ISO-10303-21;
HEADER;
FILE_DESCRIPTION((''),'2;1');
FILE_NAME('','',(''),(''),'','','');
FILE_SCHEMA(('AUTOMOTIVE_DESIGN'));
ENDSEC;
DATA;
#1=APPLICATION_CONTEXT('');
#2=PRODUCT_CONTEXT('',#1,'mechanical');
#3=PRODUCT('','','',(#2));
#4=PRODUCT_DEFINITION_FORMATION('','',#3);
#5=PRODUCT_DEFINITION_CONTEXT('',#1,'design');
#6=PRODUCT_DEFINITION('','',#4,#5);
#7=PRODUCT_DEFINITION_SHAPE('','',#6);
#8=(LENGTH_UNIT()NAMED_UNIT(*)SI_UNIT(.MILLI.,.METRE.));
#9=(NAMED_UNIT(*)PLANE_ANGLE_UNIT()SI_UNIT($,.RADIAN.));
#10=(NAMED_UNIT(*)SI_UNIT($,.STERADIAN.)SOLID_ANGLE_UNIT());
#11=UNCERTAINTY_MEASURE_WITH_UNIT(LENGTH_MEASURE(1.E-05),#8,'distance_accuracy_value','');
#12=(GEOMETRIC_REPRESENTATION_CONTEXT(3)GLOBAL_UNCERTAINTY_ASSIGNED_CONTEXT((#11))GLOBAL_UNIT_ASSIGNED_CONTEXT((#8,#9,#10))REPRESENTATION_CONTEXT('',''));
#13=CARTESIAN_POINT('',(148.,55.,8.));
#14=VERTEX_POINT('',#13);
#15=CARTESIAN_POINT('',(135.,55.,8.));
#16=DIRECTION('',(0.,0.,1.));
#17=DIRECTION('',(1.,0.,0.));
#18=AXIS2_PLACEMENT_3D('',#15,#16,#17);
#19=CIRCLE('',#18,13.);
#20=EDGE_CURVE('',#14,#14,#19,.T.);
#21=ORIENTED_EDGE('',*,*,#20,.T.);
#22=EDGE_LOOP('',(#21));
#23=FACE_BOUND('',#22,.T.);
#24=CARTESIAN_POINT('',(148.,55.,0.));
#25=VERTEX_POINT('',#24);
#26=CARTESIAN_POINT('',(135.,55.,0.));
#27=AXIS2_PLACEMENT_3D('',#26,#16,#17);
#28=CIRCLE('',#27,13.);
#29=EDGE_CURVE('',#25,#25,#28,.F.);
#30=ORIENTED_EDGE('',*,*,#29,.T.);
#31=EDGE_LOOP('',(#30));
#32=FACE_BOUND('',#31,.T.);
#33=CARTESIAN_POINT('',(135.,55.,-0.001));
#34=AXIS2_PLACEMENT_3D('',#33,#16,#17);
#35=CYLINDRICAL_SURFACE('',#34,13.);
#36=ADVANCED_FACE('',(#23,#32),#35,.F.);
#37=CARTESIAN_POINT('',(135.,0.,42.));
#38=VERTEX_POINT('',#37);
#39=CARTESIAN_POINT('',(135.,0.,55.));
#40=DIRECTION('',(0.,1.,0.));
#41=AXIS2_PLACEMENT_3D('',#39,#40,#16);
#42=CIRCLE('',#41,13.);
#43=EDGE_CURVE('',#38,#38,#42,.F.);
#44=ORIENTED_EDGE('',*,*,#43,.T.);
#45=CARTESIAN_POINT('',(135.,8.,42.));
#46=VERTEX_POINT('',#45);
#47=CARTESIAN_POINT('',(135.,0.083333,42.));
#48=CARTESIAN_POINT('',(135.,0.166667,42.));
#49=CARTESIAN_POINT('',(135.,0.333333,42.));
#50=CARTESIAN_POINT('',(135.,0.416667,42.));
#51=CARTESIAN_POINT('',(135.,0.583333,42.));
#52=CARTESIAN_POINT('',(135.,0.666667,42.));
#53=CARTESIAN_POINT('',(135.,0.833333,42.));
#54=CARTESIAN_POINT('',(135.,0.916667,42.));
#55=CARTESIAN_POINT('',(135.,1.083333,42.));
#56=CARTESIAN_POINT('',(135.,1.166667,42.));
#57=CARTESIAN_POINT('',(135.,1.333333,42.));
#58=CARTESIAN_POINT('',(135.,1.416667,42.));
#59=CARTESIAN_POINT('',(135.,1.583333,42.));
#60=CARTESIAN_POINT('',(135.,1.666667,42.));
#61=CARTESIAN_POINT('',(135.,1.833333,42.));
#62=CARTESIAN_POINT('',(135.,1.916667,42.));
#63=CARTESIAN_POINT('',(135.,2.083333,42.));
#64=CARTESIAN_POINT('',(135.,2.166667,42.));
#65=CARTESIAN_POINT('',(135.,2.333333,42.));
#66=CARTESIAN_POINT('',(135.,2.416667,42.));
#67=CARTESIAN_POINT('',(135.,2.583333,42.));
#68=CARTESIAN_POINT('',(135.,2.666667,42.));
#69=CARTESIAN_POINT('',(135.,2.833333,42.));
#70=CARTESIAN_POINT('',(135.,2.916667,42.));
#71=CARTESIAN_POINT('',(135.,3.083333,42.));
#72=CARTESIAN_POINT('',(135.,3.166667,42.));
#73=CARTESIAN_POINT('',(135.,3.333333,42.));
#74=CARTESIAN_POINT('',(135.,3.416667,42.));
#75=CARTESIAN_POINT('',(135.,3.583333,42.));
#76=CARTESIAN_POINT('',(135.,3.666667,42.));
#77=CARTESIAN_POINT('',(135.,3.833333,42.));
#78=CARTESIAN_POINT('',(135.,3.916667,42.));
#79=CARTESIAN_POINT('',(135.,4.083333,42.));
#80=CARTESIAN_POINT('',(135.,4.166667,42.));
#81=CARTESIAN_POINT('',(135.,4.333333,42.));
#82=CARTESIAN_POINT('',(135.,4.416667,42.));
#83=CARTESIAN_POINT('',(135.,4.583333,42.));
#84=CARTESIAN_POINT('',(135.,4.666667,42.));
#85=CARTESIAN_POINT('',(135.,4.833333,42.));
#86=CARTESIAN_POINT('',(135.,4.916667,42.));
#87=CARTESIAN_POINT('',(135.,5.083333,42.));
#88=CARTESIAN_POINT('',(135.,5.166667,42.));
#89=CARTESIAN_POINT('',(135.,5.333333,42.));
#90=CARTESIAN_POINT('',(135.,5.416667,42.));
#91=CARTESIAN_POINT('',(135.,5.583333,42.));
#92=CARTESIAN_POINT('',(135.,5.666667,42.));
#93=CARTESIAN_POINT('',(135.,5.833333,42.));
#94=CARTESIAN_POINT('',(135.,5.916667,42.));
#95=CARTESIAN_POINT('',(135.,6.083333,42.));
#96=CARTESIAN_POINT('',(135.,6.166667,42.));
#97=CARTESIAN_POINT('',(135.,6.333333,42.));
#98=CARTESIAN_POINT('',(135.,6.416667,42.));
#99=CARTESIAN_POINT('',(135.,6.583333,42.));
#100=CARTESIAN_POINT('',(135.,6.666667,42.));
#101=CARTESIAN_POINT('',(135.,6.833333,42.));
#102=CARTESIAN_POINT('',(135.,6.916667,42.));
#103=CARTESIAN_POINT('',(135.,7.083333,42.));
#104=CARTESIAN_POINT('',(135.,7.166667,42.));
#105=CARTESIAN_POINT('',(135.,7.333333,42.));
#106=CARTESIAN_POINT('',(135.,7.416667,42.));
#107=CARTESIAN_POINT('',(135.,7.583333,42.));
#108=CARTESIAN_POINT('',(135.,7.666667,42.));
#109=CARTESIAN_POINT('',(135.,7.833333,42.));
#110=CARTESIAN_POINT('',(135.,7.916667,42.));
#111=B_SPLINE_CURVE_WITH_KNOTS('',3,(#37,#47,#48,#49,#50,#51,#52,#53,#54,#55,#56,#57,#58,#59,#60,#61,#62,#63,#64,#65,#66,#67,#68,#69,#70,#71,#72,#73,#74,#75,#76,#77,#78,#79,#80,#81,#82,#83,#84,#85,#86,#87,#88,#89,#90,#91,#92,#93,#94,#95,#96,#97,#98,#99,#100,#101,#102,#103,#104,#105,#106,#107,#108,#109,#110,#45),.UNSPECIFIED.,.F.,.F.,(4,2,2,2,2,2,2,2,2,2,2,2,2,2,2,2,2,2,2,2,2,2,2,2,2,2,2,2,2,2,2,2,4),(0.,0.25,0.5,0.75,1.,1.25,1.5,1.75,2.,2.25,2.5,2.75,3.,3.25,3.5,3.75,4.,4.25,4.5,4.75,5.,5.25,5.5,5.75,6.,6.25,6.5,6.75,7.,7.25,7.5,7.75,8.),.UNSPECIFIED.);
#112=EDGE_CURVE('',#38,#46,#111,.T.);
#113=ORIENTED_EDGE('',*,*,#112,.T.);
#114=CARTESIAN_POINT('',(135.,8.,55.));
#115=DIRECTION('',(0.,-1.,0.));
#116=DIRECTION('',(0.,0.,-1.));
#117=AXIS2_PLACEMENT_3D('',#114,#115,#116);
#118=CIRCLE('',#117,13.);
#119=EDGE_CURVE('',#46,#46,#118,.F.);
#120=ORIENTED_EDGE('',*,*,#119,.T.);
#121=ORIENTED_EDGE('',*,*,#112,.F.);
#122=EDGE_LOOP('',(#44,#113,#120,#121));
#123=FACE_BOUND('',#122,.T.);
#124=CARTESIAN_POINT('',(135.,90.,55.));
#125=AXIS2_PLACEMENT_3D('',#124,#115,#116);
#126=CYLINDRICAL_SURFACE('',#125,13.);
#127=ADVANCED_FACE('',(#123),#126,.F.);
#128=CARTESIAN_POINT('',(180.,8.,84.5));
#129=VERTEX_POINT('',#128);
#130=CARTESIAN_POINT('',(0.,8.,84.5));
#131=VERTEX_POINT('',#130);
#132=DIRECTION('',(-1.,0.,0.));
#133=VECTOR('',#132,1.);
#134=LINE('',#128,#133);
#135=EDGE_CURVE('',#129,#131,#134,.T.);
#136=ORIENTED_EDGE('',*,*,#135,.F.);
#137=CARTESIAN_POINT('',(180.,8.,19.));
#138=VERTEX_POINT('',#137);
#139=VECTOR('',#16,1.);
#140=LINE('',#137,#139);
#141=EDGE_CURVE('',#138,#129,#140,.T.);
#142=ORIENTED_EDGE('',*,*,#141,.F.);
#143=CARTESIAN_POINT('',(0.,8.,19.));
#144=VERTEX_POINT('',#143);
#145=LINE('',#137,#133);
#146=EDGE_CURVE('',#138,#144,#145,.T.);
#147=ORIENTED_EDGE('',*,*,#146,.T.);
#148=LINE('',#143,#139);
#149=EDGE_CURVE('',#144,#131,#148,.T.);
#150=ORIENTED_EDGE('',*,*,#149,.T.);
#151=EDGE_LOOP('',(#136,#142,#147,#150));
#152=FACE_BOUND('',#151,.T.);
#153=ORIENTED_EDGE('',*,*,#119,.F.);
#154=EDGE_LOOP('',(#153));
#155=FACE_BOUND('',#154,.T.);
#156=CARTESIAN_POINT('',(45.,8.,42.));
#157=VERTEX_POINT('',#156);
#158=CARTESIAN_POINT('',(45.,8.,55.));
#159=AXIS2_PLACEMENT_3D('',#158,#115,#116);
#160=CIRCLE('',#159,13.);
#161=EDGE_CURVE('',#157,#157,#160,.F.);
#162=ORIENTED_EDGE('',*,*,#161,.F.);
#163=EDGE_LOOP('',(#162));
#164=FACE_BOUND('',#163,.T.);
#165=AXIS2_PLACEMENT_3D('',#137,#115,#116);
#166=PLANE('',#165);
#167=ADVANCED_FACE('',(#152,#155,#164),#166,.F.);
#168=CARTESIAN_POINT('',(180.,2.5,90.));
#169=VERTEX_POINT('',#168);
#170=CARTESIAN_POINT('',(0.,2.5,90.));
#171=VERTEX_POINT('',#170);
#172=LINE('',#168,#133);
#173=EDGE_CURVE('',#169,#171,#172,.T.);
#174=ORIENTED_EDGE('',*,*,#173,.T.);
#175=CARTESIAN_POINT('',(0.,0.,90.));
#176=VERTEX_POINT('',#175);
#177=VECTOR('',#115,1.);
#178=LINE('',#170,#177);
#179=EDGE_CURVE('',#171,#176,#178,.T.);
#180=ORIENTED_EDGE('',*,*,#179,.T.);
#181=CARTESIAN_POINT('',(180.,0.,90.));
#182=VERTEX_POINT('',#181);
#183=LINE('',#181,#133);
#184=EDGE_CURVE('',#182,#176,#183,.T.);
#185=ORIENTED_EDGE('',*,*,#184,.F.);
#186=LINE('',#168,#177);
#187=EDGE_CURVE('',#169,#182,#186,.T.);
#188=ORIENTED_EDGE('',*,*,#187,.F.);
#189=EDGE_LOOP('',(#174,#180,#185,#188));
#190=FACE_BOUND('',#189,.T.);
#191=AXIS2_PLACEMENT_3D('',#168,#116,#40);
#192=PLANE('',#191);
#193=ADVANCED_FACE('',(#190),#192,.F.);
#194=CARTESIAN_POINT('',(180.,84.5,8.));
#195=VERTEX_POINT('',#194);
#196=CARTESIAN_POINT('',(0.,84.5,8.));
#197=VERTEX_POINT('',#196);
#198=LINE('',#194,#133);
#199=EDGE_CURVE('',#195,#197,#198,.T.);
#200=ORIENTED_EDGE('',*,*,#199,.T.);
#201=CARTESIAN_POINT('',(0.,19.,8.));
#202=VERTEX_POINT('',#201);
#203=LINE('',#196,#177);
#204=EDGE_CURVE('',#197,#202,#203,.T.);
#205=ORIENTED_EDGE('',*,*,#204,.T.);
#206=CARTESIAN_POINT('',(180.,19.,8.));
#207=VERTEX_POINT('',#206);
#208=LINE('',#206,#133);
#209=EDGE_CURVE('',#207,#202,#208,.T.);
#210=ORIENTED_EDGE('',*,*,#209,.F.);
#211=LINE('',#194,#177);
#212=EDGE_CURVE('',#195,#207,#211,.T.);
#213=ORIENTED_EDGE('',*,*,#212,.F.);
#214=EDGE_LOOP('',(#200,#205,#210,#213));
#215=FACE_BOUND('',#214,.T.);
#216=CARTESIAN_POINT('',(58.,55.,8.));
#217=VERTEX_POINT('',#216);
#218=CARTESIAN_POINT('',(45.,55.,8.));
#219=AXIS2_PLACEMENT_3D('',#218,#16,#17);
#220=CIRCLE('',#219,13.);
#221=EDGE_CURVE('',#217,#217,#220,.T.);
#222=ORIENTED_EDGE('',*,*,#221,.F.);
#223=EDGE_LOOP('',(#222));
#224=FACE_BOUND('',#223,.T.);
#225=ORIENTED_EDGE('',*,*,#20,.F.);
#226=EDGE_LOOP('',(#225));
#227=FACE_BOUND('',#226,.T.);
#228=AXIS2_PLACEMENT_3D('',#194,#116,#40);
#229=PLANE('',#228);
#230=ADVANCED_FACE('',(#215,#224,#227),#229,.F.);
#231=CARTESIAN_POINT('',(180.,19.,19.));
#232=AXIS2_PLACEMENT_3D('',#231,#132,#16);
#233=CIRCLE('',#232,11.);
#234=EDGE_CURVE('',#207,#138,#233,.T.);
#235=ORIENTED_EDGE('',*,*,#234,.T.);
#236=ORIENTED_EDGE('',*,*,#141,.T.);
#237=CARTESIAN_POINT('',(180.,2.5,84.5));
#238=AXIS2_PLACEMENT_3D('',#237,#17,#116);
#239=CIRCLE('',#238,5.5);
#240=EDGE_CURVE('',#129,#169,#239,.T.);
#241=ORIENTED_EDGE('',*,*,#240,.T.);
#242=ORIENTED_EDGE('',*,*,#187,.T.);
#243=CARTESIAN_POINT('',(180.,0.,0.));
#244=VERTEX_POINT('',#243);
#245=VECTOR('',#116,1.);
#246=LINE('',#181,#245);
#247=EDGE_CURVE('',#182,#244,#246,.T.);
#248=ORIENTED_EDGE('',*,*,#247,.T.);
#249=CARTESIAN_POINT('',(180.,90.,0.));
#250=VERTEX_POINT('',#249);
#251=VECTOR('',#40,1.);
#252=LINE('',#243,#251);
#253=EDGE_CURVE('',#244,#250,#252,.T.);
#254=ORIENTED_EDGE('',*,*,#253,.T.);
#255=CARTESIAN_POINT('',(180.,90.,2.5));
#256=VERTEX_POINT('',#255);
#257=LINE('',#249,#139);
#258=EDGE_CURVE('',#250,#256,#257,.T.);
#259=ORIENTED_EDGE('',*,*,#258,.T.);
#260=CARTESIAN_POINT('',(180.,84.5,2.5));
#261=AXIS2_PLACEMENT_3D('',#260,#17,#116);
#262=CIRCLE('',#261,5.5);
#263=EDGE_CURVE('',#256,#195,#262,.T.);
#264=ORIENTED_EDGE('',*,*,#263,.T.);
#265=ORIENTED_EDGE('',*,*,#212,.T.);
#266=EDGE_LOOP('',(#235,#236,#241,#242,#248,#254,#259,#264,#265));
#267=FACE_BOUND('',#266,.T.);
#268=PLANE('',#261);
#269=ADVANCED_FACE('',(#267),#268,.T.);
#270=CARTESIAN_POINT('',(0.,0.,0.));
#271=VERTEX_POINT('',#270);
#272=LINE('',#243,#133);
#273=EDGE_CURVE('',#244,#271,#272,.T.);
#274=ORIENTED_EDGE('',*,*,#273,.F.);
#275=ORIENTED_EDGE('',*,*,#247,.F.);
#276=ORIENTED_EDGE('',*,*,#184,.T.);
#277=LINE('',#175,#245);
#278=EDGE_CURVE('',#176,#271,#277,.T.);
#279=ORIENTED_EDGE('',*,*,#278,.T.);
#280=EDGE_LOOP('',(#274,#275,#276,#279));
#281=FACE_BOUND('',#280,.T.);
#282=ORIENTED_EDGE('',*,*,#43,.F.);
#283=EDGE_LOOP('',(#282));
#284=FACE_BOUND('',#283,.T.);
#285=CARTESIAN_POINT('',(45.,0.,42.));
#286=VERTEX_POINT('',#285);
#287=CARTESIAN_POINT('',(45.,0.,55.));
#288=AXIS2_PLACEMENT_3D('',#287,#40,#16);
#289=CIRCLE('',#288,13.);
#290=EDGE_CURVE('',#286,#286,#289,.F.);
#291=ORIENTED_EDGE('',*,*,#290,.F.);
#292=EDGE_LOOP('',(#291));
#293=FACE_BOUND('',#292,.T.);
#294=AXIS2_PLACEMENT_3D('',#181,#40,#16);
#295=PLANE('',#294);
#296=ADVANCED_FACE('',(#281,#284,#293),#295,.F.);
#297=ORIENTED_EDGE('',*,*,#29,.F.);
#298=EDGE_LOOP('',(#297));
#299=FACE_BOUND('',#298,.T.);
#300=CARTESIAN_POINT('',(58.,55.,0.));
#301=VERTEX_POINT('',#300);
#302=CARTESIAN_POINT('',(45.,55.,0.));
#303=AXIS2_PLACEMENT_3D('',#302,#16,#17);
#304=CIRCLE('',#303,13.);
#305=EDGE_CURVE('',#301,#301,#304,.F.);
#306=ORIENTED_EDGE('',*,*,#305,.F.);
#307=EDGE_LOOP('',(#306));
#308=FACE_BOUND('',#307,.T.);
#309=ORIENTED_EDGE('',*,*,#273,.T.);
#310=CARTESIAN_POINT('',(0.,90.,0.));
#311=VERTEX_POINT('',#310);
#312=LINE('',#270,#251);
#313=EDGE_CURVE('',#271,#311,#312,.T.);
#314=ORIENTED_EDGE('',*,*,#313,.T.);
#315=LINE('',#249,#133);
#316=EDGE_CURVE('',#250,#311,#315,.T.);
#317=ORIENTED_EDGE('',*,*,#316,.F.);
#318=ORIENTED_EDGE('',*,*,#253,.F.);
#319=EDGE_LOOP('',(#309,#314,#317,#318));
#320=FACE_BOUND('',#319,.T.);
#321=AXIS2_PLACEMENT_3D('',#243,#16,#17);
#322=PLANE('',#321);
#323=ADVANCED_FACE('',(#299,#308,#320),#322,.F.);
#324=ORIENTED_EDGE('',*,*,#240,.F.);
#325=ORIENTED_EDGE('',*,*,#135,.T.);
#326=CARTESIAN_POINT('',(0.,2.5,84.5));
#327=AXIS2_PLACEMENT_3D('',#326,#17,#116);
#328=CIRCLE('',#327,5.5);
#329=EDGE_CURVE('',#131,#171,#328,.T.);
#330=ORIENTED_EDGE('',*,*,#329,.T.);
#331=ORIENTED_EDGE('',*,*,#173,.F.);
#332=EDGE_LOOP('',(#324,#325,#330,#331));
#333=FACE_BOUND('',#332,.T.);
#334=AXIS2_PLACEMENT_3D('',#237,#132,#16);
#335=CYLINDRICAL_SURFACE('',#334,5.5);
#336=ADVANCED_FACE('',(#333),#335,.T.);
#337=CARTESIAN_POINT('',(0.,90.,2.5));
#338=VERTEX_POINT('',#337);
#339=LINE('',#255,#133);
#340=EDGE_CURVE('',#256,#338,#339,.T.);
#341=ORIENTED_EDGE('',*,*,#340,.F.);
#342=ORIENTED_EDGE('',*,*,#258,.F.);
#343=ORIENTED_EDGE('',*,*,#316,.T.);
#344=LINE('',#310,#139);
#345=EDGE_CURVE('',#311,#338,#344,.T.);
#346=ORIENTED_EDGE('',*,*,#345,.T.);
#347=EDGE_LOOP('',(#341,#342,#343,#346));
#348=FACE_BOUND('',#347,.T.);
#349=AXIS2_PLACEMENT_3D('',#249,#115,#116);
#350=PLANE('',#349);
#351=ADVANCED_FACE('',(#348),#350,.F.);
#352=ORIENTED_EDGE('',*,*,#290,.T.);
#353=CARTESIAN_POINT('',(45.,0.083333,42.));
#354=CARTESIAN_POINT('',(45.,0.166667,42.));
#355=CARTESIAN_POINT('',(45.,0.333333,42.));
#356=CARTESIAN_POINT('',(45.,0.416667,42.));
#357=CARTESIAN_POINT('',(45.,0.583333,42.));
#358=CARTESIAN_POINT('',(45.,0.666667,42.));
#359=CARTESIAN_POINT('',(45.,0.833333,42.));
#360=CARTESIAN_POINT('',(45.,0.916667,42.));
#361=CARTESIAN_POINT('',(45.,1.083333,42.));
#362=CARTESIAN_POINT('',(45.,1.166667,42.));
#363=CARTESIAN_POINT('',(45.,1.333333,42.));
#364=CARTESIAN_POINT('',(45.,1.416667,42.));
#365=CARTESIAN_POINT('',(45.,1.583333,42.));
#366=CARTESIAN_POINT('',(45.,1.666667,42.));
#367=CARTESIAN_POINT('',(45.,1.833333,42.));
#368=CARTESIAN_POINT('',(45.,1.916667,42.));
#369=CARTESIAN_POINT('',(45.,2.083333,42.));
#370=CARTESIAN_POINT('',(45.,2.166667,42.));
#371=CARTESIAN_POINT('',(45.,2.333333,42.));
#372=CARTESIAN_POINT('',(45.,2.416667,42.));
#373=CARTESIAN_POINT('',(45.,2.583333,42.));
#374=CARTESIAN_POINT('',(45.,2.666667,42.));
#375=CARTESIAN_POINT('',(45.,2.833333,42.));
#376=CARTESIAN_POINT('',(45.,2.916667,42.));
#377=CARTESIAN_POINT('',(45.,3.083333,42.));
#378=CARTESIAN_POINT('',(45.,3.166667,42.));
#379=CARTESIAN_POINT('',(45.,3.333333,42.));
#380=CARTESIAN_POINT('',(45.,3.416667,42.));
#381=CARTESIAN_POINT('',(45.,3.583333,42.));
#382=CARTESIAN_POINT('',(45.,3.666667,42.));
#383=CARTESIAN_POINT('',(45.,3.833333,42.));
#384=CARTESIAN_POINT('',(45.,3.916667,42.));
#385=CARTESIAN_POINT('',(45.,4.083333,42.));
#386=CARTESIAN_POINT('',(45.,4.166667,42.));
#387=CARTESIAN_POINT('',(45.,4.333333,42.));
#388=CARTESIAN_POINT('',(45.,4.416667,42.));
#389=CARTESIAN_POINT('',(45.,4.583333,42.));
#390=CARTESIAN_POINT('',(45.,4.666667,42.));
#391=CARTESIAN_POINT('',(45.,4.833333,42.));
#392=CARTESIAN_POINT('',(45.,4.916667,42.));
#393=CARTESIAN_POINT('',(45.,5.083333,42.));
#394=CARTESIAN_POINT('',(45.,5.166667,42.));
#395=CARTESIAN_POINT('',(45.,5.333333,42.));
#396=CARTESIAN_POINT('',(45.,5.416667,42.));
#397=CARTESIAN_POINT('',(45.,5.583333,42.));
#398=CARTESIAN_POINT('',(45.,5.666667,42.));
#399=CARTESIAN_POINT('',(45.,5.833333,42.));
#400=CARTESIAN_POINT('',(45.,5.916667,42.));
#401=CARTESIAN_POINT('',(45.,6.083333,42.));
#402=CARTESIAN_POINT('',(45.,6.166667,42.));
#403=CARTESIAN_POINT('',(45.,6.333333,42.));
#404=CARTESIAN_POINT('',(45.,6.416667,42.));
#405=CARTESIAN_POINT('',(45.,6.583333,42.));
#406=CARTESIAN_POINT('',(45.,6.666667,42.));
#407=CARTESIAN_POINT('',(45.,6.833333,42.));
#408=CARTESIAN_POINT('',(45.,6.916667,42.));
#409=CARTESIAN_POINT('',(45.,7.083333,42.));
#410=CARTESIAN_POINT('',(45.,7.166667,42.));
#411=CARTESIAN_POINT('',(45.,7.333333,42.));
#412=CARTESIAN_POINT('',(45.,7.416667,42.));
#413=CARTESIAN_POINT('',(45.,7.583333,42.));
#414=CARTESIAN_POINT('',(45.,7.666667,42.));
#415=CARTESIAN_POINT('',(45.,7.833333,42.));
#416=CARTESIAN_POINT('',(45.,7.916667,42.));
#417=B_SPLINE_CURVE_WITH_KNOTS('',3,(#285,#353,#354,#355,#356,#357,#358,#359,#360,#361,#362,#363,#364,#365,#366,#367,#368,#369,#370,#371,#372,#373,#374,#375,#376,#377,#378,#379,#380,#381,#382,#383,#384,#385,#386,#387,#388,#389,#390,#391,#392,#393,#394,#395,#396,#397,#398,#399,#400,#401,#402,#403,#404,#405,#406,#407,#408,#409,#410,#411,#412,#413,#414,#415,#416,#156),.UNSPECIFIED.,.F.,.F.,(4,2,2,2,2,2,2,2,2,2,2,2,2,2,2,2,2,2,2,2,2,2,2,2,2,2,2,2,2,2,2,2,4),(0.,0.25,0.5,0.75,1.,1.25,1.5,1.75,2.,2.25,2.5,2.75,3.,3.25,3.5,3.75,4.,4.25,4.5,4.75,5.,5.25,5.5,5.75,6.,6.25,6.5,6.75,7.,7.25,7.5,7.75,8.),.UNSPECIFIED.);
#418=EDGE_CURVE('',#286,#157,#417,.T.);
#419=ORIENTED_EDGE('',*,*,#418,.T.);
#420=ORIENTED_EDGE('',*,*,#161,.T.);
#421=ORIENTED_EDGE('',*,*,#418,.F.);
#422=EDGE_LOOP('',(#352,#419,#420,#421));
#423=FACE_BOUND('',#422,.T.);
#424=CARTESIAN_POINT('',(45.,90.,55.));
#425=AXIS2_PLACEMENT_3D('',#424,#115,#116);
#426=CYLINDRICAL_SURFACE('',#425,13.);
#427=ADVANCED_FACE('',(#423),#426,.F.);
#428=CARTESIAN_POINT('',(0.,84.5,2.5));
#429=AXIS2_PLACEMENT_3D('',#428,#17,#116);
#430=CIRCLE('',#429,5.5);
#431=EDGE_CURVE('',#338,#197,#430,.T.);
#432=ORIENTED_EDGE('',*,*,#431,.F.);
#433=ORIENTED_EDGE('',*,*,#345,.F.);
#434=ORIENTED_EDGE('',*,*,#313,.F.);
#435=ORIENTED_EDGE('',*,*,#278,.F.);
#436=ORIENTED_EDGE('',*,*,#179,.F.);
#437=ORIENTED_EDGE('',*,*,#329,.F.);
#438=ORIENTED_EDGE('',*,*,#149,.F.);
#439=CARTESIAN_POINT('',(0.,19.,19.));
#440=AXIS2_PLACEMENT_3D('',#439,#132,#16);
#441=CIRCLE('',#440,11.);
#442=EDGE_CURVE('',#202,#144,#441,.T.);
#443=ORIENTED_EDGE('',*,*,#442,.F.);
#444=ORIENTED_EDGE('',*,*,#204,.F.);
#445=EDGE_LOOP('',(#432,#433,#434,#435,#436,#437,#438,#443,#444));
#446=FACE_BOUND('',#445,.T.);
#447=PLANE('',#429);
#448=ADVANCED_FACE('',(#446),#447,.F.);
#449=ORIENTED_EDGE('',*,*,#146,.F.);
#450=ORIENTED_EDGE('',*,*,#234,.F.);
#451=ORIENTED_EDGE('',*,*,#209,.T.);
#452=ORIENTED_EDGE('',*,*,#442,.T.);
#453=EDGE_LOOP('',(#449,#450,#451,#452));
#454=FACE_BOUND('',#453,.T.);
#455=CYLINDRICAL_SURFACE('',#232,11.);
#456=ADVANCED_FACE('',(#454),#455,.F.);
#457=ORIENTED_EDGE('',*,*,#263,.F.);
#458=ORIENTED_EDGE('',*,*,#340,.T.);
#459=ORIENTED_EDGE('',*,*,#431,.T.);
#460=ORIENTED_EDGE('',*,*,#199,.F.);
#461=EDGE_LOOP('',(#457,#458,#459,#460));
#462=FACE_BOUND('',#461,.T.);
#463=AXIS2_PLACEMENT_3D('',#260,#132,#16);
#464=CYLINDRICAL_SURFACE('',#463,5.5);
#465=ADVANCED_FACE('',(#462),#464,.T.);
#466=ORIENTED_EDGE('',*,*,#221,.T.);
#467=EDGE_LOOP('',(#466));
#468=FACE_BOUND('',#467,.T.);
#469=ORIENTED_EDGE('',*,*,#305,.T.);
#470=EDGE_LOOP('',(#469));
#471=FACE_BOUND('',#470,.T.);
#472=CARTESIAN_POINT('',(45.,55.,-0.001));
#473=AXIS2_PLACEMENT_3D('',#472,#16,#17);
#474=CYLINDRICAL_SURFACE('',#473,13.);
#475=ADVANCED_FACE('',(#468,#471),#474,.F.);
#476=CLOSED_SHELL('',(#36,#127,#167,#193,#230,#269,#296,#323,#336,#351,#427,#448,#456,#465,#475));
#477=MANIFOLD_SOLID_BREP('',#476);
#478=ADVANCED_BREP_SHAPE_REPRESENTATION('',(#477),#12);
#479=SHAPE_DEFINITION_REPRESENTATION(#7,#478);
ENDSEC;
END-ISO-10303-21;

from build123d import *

# Parameters (mm, degrees)
ANGLES_EQUAL_90_X_90_X_8_1_DEPTH = 180
SKETCH12_R                       = 13
CUT_EXTRUDE1_DEPTH               = 221.45407685
LPATTERN1_COUNT                  = 2
LPATTERN1_PITCH                  = 90
CUT_EXTRUDE2_REACH               = 219.311
SKETCH13_R                       = 13
LPATTERN2_COUNT                  = 2
LPATTERN2_PITCH                  = 90


with BuildPart() as part:
    # Sketch11 → Angles equal 90 X 90 X 8(1) (new body)
    with BuildSketch(Plane(origin=(0, 45, 45), x_dir=(0, 1, 0), z_dir=(1, 0, 0))):
        with BuildLine():
            Line((-45, 45), (-45, -45))
            Line((-45, -45), (45, -45))
            Line((45, -45), (45, -42.5))
            ThreePointArc((45, -42.5), (43.389087297, -38.610912703), (39.5, -37))
            Line((39.5, -37), (-26, -37))
            ThreePointArc((-26, -37), (-33.778174593, -33.778174593), (-37, -26))
            Line((-37, -26), (-37, 39.5))
            ThreePointArc((-37, 39.5), (-38.610912703, 43.389087297), (-42.5, 45))
            Line((-42.5, 45), (-45, 45))
        make_face()
    extrude(amount=ANGLES_EQUAL_90_X_90_X_8_1_DEPTH)

    # Sketch12 → Cut-Extrude1 (cut, symmetric)
    with BuildSketch(Plane(origin=(0, 0, 0), x_dir=(1, 0, 0), z_dir=(0, 1, 0))):
        with Locations(Location((45, -55, 0), (0, 0, 90))):
            Circle(SKETCH12_R)
    cut_extrude1 = extrude(amount=CUT_EXTRUDE1_DEPTH, both=True, mode=Mode.SUBTRACT)

    # LPattern1: Cut-Extrude1 ×2
    with Locations(*[(i * LPATTERN1_PITCH, 0, 0) for i in range(1, LPATTERN1_COUNT)]):
        add(cut_extrude1, mode=Mode.SUBTRACT)

    # Sketch13 → Cut-Extrude2 (cut, up to next)
    with BuildSketch(Plane.XY.offset(8), mode=Mode.PRIVATE) as cut_extrude2_sk1:
        with Locations((45, 55)):
            Circle(SKETCH13_R)
    cut_extrude2_tool1 = extrude(cut_extrude2_sk1.sketch, amount=-CUT_EXTRUDE2_REACH, mode=Mode.PRIVATE) & part.part
    cut_extrude2 = cut_extrude2_tool1.solids().sort_by_distance((45, 55, 8))[0]
    add(cut_extrude2, mode=Mode.SUBTRACT)

    # LPattern2: Cut-Extrude2 ×2
    with Locations(*[(i * LPATTERN2_PITCH, 0, 0) for i in range(1, LPATTERN2_COUNT)]):
        add(cut_extrude2, mode=Mode.SUBTRACT)


solid = part.part
